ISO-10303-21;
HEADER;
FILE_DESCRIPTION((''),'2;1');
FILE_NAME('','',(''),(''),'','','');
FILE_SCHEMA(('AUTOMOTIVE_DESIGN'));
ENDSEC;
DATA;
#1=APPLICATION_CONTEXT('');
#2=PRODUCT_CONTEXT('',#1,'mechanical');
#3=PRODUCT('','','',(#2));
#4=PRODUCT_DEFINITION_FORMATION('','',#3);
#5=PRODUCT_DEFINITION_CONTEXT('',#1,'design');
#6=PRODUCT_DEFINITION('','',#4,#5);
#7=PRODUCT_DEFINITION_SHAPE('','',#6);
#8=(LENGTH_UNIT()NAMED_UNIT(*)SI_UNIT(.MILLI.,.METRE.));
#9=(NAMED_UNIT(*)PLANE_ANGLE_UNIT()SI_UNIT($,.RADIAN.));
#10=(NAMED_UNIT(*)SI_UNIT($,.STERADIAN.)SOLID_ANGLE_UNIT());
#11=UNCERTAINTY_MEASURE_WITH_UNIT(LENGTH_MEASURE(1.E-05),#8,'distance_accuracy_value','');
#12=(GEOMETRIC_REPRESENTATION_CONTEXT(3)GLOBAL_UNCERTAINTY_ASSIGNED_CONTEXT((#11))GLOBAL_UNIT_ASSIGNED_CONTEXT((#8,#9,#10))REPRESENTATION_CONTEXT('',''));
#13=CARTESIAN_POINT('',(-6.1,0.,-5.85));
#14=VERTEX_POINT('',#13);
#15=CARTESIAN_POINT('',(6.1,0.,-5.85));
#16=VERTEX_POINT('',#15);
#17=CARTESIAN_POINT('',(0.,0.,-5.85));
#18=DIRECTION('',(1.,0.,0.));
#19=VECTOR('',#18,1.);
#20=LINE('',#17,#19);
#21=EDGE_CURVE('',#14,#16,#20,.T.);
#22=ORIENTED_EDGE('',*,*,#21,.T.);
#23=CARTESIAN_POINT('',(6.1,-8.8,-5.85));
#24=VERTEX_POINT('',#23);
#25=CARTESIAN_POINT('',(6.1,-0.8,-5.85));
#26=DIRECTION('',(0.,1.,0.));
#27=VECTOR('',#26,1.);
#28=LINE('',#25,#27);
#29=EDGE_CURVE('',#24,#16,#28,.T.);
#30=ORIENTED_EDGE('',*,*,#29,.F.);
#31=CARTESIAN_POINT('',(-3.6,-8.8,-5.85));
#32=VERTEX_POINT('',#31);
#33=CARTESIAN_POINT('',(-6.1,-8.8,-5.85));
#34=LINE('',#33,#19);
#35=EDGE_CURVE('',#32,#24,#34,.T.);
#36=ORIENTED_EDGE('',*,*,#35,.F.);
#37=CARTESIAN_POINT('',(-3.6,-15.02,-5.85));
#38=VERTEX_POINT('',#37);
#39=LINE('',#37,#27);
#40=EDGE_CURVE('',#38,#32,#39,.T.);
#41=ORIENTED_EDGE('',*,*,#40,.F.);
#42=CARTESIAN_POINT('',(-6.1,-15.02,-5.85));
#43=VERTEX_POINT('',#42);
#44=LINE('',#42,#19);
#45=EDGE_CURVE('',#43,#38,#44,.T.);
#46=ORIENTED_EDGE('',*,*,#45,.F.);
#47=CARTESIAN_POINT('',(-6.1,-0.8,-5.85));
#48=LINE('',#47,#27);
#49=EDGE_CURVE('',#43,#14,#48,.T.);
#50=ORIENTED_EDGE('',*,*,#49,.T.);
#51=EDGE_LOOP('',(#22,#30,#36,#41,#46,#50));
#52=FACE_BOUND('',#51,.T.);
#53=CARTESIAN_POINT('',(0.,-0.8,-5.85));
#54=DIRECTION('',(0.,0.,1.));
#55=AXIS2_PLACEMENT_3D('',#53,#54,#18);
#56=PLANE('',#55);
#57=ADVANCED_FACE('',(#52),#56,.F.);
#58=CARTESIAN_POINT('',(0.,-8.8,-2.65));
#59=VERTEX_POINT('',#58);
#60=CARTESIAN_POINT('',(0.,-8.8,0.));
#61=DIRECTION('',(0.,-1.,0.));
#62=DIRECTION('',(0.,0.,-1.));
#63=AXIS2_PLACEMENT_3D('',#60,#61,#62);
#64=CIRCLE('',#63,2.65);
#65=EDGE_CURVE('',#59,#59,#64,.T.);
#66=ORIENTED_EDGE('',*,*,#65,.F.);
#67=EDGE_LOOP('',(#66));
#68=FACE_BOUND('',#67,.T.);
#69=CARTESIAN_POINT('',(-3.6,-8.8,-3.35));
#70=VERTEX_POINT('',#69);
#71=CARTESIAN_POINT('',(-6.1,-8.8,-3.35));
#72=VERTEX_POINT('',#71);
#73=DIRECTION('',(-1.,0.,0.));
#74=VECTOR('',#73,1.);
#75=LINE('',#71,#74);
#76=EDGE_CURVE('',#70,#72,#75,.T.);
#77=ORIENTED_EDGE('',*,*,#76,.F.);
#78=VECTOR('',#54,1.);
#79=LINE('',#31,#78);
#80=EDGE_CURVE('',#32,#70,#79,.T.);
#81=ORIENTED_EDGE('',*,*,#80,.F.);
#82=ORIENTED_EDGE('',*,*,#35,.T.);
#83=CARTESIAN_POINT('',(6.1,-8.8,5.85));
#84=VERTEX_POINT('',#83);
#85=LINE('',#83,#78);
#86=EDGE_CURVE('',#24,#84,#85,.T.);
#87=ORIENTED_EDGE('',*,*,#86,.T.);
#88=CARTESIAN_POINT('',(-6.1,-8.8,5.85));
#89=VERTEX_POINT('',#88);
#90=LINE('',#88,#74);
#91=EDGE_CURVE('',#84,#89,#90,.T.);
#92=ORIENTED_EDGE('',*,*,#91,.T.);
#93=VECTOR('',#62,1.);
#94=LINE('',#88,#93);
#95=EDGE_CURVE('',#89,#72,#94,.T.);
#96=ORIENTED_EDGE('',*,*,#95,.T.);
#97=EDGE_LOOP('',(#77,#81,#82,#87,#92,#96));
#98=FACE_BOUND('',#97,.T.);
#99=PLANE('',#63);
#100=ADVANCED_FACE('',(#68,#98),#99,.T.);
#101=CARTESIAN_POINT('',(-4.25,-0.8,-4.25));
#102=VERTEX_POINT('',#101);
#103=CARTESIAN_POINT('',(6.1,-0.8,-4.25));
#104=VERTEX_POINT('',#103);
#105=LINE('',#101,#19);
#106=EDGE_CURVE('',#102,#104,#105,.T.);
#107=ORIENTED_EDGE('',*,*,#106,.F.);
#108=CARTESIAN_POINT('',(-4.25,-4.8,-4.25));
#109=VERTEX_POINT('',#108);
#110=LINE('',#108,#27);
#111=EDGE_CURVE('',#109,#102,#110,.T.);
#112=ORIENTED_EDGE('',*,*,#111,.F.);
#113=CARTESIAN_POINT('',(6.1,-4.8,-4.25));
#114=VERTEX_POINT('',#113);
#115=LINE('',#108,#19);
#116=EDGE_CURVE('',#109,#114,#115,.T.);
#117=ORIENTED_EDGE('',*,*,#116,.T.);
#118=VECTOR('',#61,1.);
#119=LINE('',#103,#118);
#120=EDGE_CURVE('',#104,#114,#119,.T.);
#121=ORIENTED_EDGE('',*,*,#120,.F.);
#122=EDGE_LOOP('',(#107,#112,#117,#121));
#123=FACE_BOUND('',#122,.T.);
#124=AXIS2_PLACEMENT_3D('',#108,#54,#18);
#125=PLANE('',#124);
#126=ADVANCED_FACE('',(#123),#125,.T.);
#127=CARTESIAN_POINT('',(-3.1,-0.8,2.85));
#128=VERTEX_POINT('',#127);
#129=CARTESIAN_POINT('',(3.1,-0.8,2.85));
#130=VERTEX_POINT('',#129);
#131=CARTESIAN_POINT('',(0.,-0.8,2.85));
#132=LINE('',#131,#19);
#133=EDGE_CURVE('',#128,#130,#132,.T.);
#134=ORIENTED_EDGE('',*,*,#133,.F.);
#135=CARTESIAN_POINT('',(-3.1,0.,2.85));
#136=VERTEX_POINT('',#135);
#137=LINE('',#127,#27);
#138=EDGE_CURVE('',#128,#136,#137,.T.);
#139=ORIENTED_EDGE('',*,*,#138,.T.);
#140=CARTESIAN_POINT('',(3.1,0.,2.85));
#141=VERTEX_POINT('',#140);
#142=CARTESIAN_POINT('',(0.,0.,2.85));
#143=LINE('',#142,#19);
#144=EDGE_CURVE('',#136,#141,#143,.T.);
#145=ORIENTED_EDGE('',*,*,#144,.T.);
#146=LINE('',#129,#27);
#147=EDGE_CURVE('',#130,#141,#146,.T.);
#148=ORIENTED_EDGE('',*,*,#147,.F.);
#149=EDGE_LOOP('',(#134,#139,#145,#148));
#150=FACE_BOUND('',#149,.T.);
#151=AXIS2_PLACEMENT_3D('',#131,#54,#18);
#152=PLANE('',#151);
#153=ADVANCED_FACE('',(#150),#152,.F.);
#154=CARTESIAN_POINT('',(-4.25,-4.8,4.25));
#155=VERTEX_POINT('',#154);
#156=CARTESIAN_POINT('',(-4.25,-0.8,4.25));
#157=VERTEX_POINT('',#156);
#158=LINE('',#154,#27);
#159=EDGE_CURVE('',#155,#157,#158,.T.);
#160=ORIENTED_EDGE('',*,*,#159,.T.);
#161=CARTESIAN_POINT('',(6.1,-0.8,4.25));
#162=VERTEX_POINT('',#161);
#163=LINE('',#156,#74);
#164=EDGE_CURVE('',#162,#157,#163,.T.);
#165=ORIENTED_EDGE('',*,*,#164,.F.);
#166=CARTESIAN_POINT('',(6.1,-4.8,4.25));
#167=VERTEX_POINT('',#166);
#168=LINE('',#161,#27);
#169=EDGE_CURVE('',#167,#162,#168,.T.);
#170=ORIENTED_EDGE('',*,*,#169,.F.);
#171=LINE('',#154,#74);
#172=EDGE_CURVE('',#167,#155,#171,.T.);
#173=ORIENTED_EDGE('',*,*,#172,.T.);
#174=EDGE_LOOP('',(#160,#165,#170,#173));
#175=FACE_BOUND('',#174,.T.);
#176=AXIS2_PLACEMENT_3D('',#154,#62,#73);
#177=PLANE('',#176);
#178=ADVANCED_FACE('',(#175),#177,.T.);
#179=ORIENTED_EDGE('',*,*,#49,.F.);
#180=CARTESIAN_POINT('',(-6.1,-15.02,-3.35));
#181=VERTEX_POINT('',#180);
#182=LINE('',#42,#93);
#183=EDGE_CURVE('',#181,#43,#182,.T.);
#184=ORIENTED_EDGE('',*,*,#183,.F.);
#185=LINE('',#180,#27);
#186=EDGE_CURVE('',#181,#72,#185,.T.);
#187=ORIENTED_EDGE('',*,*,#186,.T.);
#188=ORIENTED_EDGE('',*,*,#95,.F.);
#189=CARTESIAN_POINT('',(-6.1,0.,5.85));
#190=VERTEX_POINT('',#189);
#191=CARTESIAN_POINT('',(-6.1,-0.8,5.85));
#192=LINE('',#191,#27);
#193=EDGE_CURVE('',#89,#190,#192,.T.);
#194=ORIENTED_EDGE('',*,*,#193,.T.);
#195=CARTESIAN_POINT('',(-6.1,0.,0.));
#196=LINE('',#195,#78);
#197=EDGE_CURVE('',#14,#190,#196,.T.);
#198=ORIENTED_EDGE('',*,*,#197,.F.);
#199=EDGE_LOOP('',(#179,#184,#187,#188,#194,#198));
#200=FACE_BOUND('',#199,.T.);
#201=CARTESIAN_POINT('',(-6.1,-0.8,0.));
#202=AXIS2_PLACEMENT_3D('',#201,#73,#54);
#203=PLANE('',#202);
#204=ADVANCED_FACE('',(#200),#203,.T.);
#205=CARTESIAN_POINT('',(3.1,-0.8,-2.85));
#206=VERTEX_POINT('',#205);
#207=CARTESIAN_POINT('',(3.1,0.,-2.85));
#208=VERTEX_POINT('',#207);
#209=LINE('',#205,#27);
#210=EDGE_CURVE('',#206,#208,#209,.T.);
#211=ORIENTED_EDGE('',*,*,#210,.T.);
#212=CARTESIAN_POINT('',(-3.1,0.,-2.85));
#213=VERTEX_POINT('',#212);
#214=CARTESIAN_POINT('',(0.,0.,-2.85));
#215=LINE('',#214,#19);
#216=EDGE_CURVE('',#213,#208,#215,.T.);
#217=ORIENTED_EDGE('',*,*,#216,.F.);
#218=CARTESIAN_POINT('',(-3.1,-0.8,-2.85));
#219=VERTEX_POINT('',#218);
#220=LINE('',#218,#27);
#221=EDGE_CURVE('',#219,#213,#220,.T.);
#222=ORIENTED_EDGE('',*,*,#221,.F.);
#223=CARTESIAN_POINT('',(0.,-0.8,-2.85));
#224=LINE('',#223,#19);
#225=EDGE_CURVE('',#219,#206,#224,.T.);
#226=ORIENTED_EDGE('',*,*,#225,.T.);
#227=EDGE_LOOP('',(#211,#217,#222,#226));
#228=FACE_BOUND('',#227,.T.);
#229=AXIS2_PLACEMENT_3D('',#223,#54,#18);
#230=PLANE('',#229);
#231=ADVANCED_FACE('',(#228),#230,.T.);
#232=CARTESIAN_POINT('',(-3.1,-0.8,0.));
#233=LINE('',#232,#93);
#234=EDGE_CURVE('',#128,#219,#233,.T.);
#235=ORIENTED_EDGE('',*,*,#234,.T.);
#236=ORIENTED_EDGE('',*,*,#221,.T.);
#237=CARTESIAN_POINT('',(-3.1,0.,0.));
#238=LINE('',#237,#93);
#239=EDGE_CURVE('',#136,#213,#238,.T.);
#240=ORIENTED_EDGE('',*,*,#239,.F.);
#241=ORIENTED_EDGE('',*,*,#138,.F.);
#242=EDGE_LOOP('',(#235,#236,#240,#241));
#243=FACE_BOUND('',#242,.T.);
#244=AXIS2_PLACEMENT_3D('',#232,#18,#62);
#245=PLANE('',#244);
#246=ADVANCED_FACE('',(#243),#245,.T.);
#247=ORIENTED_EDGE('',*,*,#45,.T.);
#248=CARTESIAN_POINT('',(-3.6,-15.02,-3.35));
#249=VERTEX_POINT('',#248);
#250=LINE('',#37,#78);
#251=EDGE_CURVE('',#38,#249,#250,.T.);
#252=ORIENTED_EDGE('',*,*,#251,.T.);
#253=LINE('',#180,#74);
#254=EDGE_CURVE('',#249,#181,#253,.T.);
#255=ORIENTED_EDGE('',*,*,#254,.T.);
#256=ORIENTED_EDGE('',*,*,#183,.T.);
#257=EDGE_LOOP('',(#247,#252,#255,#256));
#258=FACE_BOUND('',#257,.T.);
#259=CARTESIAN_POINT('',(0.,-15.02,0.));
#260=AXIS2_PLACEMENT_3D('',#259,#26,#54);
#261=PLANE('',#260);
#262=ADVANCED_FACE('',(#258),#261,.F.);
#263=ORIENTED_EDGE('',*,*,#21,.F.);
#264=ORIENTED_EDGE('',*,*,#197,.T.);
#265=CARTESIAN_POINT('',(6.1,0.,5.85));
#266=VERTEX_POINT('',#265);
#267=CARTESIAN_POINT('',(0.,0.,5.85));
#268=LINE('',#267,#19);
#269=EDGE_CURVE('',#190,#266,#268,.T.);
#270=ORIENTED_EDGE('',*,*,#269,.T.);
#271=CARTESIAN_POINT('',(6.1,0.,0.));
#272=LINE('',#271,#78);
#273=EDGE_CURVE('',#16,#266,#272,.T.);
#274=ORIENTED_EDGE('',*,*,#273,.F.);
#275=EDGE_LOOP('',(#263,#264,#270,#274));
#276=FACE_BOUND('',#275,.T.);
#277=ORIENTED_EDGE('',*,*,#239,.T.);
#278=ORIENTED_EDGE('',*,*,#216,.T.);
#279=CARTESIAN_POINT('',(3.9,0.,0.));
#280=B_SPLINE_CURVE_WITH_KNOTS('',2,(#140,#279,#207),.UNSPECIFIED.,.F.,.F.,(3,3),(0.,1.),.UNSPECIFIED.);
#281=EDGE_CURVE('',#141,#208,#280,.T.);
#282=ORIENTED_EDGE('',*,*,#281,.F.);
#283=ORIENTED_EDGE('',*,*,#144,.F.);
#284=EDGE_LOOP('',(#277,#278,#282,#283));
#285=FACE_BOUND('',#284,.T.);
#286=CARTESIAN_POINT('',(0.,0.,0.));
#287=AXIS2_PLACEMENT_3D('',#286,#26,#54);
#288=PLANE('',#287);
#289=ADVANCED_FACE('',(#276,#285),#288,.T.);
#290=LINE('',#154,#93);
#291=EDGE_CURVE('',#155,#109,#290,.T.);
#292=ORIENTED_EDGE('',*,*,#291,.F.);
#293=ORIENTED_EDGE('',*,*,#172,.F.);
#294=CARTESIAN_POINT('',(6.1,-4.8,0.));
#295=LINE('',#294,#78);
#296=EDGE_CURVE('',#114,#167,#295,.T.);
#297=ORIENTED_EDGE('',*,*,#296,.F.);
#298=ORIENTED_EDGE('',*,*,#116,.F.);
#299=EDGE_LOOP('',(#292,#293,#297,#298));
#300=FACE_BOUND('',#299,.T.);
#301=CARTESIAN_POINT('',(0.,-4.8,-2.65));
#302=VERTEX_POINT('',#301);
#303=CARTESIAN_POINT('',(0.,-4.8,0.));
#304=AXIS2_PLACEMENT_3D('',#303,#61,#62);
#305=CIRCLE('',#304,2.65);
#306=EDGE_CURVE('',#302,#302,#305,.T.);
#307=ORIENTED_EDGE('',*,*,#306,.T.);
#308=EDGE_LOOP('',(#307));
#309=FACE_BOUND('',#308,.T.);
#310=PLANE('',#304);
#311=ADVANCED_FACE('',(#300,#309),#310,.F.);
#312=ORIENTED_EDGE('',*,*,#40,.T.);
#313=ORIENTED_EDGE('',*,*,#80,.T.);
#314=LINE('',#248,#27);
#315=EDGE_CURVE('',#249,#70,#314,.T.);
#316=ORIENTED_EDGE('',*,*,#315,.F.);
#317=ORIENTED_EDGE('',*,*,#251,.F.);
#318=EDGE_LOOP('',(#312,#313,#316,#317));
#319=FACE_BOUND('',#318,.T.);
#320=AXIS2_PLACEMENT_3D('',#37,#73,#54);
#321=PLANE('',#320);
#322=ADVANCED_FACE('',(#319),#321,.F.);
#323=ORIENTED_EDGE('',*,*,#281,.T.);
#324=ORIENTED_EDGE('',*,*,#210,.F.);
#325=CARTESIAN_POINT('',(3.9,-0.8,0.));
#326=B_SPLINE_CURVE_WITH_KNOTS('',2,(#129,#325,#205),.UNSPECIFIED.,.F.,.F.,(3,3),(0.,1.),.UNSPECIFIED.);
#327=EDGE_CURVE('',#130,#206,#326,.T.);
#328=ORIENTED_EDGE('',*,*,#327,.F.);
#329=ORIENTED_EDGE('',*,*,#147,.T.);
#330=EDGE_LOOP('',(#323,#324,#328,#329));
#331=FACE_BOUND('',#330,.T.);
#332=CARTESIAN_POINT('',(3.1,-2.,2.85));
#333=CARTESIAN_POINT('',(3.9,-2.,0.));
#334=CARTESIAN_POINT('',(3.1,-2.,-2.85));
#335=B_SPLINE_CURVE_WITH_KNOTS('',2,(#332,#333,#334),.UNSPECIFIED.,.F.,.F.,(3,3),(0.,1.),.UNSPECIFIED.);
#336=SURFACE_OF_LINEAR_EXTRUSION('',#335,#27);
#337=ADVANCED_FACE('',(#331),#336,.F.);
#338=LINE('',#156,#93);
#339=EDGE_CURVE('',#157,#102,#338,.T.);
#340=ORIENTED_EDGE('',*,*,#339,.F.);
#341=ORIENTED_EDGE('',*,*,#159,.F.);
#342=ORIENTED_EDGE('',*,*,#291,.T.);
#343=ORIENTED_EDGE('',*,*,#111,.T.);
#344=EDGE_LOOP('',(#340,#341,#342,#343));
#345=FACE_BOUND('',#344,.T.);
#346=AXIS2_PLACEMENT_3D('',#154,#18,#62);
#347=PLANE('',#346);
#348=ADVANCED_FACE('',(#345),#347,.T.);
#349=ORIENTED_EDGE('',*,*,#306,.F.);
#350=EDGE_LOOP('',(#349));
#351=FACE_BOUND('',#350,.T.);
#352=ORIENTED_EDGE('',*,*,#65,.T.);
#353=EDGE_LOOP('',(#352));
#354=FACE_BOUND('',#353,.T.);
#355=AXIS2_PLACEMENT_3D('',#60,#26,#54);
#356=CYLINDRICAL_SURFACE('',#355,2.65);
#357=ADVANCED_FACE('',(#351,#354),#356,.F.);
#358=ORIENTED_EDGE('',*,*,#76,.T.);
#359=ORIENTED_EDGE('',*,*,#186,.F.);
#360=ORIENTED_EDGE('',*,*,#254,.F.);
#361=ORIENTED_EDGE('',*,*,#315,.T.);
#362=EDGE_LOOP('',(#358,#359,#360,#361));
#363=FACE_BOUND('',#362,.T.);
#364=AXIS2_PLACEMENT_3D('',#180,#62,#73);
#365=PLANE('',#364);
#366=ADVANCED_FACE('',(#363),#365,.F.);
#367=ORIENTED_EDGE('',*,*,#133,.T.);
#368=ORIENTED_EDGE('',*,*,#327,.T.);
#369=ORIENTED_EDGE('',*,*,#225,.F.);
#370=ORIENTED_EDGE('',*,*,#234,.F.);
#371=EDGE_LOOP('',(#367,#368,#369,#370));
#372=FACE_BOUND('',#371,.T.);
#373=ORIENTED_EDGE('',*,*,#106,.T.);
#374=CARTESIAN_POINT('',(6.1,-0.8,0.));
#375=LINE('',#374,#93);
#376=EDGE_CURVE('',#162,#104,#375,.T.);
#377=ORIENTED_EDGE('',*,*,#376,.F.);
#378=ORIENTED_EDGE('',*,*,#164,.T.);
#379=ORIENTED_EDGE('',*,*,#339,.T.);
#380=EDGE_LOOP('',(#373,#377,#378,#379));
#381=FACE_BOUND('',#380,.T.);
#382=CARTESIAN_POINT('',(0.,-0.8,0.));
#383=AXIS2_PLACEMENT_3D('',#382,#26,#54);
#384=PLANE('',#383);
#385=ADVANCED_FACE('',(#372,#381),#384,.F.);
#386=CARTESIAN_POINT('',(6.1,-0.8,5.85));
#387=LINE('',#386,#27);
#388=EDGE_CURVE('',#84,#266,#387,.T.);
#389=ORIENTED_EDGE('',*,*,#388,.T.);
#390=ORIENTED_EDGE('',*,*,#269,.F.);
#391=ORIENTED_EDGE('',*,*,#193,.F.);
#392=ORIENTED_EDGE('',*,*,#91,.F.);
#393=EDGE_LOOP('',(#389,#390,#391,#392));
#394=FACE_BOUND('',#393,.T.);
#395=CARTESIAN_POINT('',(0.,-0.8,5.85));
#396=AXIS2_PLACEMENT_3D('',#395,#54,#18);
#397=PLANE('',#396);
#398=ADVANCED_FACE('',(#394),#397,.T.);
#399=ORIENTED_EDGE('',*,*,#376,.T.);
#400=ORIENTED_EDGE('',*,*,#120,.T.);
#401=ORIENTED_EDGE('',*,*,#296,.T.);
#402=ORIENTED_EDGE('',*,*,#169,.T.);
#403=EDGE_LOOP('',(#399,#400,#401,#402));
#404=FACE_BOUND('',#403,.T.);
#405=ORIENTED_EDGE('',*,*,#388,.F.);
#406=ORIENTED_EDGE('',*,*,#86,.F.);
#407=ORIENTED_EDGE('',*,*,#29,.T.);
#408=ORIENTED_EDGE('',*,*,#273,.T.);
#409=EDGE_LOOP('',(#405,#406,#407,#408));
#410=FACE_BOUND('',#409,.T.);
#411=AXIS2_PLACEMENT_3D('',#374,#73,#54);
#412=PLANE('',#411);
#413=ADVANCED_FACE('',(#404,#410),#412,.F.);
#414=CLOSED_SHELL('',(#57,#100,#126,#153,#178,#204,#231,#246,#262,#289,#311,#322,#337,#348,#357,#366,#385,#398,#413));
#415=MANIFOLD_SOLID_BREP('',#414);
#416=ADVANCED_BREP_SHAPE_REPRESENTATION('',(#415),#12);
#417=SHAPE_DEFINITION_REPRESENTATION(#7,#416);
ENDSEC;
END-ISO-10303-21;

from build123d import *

# Parameters (mm, degrees)
SKETCH2_W           = 12.2
SKETCH2_H           = 11.7
SKETCH2_W_2         = 6.2
SKETCH2_H_2         = 5.7
BOSS_EXTRUDE1_DEPTH = 0.8
SKETCH3_W           = 12.2
SKETCH3_H           = 11.7
SKETCH3_W_2         = 8.5
SKETCH3_H_2         = 8.5
BOSS_EXTRUDE2_DEPTH = 4
SKETCH4_W           = 12.2
SKETCH4_H           = 11.7
SKETCH4_R           = 2.65
BOSS_EXTRUDE3_DEPTH = 4
SKETCH5_W           = 2.5
SKETCH5_H           = 2.5
BOSS_EXTRUDE4_DEPTH = 6.22
SKETCH8_W           = 8.5
SKETCH8_H           = 4
CUT_EXTRUDE2_DEPTH  = 6.22
CUT_EXTRUDE3_DEPTH  = 2


with BuildPart() as part:
    # Sketch2 → Boss-Extrude1 (new body)
    with BuildSketch(Plane(origin=(0, 0, 0), x_dir=(1, 0, 0), z_dir=(0, 1, 0))):
        Rectangle(SKETCH2_W, SKETCH2_H)
        Rectangle(SKETCH2_W_2, SKETCH2_H_2, mode=Mode.SUBTRACT)
    extrude(amount=-BOSS_EXTRUDE1_DEPTH)

    # Sketch3 → Boss-Extrude2 (add)
    with BuildSketch(Plane.XZ.offset(0.8)):
        Rectangle(SKETCH3_W, SKETCH3_H)
        Rectangle(SKETCH3_W_2, SKETCH3_H_2, mode=Mode.SUBTRACT)
    extrude(amount=BOSS_EXTRUDE2_DEPTH)

    # Sketch4 → Boss-Extrude3 (add)
    with BuildSketch(Plane.XZ.offset(4.8)):
        Rectangle(SKETCH4_W, SKETCH4_H)
        with Locations(Location((0, 0, 0), (0, 0, 270))):
            Circle(SKETCH4_R, mode=Mode.SUBTRACT)
    extrude(amount=BOSS_EXTRUDE3_DEPTH)

    # Sketch5 → Boss-Extrude4 (add)
    with BuildSketch(Plane.XZ.offset(8.8)):
        with Locations((-4.85, -4.6)):
            Rectangle(SKETCH5_W, SKETCH5_H)
    extrude(amount=BOSS_EXTRUDE4_DEPTH)

    # Sketch8 → Cut-Extrude2 (cut)
    with BuildSketch(Plane.ZY.offset(-4.25)):
        with Locations((0, -2.8)):
            Rectangle(SKETCH8_W, SKETCH8_H)
    extrude(amount=-CUT_EXTRUDE2_DEPTH, mode=Mode.SUBTRACT)

    # Sketch9 → Cut-Extrude3 (cut)
    with BuildSketch(Plane(origin=(0, 0, 0), x_dir=(1, 0, 0), z_dir=(0, 1, 0))):
        with BuildLine():
            Line((3.1, 2.85), (3.1, -2.85))
            add(Edge.make_bspline(
                [(3.1, 2.85), (3.9, 0), (3.1, -2.85)],
                knots=[0, 0, 0, 1, 1, 1], degree=2))
        make_face()
    extrude(amount=-CUT_EXTRUDE3_DEPTH, mode=Mode.SUBTRACT)


solid = part.part
